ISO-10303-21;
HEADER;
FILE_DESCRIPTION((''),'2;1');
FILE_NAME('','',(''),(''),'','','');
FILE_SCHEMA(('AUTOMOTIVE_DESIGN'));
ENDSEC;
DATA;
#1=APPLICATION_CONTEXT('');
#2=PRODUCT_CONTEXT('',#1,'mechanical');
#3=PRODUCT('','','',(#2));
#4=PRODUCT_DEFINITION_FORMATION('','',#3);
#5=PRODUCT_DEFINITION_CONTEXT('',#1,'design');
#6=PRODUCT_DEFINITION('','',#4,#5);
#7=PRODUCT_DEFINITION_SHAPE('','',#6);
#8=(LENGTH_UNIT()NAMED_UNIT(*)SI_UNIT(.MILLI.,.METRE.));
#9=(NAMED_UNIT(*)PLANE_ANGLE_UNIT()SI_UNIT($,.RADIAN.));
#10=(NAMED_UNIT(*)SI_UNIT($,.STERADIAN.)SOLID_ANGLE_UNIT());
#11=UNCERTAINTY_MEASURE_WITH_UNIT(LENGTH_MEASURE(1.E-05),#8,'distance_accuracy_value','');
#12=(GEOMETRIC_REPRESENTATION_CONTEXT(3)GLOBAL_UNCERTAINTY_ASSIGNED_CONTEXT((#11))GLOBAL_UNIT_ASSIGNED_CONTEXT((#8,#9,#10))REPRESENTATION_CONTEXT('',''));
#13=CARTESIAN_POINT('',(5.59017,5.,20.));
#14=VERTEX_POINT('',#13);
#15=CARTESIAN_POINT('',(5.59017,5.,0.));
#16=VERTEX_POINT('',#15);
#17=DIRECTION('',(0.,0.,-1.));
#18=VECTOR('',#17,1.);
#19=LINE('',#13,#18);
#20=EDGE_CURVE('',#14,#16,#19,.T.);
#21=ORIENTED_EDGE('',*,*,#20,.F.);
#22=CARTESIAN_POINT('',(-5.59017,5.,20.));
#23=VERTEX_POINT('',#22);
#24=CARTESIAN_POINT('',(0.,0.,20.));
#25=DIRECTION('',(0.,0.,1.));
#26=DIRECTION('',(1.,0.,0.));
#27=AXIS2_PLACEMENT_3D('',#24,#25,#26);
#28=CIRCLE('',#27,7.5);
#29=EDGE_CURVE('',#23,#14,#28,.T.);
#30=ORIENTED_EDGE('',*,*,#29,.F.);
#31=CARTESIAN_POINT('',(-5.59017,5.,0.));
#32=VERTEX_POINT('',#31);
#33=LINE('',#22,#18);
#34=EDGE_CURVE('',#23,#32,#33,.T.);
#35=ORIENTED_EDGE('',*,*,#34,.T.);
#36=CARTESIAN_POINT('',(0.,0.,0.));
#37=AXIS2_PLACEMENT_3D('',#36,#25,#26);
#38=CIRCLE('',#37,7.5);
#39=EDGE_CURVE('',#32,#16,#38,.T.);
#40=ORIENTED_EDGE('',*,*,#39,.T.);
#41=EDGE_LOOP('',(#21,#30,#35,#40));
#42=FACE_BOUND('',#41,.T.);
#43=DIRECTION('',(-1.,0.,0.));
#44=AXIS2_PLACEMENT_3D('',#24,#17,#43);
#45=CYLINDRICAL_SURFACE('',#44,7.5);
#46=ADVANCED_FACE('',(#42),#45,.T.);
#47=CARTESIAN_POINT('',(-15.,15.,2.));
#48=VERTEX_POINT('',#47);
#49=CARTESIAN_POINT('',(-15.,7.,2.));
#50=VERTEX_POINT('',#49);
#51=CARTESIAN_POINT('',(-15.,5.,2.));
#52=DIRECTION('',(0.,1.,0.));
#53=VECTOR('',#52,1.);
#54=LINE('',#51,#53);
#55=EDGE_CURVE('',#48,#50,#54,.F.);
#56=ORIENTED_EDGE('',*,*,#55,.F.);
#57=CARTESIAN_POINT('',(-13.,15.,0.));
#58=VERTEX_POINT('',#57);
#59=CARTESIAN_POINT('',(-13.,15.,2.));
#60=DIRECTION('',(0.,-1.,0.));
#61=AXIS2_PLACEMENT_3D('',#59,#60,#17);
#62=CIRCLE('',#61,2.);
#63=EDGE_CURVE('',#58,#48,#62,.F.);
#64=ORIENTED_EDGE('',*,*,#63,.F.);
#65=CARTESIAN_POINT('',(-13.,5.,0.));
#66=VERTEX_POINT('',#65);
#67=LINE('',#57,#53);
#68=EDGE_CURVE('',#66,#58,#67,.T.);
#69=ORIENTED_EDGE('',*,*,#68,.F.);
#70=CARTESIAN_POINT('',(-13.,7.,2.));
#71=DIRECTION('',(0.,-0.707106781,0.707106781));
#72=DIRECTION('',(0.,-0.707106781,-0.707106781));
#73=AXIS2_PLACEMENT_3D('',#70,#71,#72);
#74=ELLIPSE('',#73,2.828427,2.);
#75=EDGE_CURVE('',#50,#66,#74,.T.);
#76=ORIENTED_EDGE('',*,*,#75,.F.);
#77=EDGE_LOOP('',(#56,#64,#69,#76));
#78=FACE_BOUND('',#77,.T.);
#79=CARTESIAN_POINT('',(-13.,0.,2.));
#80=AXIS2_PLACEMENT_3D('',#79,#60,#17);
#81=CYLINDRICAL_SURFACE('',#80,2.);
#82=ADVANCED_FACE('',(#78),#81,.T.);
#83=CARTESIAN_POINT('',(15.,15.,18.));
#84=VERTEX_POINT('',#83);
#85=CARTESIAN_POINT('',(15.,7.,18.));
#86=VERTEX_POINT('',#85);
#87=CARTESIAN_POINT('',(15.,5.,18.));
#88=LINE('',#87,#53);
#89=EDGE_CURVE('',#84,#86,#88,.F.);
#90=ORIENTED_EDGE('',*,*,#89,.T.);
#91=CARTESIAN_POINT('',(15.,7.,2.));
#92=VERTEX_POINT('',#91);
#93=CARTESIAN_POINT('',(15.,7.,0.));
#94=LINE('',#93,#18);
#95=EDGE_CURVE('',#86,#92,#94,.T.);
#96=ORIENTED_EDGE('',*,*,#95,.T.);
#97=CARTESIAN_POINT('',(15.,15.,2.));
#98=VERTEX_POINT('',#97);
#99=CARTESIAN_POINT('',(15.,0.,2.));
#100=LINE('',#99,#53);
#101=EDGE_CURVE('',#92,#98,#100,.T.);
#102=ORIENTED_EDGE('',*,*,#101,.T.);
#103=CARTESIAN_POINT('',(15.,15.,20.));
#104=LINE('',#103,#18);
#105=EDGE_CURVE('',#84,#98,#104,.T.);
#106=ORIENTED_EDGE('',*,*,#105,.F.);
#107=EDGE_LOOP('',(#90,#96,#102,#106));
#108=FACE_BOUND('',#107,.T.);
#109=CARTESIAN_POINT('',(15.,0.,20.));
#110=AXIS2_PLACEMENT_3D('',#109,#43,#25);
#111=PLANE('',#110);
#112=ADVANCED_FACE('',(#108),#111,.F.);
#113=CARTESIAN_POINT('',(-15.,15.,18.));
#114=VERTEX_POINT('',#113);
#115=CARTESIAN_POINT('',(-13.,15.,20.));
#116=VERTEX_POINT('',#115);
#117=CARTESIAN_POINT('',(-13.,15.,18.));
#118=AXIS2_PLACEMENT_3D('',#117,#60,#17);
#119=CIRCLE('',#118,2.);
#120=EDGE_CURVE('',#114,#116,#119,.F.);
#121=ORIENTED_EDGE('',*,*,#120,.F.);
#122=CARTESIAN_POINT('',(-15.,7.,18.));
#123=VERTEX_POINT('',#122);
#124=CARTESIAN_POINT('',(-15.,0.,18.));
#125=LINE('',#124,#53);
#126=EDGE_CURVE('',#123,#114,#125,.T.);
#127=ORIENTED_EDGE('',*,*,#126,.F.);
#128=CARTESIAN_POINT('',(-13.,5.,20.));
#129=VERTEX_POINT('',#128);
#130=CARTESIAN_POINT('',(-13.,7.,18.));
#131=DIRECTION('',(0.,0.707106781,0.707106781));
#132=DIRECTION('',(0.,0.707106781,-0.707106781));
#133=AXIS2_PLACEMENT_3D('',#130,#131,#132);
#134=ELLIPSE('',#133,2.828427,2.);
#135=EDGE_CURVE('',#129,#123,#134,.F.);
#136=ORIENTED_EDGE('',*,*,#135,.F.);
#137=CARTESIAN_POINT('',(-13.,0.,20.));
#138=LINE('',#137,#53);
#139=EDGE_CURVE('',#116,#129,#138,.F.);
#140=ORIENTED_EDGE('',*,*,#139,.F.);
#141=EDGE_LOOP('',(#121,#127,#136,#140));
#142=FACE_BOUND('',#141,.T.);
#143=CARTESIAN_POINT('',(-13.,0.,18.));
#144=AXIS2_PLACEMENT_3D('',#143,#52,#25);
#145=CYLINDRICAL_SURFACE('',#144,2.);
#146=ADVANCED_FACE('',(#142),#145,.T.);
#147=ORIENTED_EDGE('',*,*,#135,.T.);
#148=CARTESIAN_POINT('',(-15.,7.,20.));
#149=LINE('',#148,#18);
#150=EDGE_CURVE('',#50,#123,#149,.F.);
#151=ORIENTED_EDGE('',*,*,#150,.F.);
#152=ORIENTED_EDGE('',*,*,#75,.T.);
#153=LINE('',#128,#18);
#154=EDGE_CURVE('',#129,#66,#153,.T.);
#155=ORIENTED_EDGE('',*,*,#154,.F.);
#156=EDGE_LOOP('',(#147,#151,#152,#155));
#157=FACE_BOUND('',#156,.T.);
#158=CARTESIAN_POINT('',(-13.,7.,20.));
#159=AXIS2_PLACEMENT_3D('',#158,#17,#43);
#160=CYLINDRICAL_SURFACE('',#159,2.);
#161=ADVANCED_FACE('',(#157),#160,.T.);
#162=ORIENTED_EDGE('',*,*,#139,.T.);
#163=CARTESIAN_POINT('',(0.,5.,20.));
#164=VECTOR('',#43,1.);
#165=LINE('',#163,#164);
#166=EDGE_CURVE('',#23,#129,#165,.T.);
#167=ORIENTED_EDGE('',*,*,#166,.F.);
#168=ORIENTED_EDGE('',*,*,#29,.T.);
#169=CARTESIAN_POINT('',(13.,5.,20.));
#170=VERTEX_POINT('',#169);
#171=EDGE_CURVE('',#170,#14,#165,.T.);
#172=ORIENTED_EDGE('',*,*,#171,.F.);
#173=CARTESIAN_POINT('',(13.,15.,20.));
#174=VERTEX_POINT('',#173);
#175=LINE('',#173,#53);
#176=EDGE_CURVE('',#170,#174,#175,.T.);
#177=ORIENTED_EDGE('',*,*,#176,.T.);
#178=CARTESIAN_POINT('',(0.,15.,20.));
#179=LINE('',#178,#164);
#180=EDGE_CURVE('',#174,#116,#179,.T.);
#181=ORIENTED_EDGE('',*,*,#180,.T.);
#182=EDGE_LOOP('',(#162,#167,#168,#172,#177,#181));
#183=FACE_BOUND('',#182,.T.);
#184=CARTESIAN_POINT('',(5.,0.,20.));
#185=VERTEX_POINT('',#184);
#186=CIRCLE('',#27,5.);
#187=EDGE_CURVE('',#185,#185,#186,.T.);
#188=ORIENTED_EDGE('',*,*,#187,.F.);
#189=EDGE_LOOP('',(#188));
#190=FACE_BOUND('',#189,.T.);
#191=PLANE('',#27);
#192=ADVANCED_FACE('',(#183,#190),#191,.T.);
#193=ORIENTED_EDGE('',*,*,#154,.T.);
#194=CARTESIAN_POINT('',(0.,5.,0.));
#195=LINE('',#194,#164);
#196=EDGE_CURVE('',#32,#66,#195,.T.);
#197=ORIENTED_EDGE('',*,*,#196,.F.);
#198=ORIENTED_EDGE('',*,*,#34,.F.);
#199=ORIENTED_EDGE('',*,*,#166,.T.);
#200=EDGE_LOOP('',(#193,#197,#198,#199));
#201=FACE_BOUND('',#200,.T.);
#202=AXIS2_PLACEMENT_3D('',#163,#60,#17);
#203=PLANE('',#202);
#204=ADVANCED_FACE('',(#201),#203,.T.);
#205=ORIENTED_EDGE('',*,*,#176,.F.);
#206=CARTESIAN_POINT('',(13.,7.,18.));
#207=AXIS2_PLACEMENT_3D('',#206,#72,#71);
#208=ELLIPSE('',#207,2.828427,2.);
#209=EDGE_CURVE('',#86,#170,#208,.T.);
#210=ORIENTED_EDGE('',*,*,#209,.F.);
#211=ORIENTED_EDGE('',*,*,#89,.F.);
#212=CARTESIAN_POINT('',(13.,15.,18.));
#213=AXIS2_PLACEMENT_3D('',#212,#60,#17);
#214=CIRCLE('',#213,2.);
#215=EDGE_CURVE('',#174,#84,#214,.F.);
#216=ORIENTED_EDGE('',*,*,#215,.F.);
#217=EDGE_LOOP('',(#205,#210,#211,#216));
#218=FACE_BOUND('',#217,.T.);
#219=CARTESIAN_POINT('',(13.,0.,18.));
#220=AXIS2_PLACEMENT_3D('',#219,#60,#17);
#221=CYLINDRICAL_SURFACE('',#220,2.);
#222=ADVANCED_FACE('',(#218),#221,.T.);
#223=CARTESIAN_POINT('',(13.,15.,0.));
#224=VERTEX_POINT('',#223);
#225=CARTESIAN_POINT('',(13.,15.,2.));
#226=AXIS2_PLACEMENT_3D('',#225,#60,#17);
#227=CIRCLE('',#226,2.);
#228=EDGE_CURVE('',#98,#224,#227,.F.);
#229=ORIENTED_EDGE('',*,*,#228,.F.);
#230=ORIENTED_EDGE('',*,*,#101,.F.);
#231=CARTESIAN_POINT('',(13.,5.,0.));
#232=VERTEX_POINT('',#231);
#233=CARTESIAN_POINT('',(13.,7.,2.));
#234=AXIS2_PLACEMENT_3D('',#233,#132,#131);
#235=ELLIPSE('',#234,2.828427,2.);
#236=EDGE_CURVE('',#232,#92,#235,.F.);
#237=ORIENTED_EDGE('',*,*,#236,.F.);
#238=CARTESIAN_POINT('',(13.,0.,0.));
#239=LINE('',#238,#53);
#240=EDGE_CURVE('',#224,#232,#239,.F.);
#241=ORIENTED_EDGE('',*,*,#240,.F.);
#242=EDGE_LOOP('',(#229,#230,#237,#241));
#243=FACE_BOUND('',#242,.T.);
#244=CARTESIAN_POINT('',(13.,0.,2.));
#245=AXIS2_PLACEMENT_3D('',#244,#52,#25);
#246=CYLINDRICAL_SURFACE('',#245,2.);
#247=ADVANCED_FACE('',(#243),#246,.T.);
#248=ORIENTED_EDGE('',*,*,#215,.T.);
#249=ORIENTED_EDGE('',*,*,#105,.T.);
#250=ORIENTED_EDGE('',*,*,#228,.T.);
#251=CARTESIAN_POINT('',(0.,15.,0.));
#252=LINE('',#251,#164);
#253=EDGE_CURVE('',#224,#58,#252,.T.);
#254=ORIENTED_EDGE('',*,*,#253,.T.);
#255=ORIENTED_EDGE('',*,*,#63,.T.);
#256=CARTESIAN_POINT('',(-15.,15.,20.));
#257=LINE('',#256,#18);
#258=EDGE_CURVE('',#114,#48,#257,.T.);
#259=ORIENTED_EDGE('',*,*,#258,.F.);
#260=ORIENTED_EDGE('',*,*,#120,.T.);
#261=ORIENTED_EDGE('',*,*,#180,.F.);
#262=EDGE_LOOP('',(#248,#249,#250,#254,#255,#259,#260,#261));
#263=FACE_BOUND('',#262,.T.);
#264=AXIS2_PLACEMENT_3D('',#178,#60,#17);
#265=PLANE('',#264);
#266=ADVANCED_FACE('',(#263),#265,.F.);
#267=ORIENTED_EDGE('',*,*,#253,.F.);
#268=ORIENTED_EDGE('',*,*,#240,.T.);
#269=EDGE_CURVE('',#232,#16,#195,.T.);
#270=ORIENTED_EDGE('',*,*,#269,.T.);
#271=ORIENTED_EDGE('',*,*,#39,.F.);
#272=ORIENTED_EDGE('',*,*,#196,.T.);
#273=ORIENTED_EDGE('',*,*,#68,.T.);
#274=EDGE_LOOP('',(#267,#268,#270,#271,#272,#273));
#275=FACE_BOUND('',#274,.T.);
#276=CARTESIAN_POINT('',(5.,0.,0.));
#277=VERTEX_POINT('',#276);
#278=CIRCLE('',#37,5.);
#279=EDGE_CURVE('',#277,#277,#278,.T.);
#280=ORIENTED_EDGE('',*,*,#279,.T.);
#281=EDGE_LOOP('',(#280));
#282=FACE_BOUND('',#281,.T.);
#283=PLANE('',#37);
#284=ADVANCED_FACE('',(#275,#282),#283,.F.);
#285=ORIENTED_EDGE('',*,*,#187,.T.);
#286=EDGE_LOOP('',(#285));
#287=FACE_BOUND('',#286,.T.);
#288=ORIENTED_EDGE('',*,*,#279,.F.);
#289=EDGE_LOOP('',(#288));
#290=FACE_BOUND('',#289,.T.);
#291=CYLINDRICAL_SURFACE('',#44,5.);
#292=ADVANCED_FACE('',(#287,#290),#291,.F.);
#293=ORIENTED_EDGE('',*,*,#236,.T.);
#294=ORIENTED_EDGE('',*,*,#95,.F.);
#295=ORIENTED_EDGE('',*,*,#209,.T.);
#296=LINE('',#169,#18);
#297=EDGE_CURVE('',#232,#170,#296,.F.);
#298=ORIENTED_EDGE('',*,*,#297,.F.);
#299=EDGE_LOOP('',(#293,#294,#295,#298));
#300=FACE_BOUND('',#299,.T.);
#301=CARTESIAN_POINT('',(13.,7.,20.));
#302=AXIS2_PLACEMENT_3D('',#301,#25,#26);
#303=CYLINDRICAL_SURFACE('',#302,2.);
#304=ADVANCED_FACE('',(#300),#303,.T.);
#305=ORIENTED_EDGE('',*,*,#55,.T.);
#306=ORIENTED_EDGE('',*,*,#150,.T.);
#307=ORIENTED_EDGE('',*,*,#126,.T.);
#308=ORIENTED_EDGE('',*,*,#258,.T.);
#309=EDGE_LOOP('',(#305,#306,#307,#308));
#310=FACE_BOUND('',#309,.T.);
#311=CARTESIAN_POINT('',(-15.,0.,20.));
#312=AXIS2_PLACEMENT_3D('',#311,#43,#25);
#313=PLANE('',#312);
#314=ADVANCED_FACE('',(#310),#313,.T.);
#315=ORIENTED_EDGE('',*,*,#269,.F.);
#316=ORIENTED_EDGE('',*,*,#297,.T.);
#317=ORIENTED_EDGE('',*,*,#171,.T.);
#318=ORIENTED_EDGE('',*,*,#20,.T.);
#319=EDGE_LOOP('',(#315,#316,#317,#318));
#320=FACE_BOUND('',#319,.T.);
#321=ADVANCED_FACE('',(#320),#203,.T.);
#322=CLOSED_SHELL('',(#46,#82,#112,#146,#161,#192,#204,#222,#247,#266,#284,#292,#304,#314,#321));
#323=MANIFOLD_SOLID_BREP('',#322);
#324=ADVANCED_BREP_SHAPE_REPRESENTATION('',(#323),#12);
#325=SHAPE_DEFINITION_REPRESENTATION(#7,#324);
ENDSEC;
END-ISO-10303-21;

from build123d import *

# Parameters (mm, degrees)
SKETCH1_R           = 7.5
SKETCH1_R_2         = 5
SKETCH1_W           = 30
SKETCH1_H           = 10
BOSS_EXTRUDE1_DEPTH = 20
FILLET1_R           = 2


with BuildPart() as part:
    # Sketch1 → Boss-Extrude1 (new body)
    with BuildSketch(Plane.XY):
        Circle(SKETCH1_R)
        Circle(SKETCH1_R_2, mode=Mode.SUBTRACT)
        with Locations((0, 10)):
            Rectangle(SKETCH1_W, SKETCH1_H)
    extrude(amount=BOSS_EXTRUDE1_DEPTH)

    # Fillet1
    fillet1_edges = [part.edges().sort_by_distance(p)[0] for p in [
        (-15, 5, 10),
        (15, 5, 10),
        (15, 10, 20),
        (-15, 10, 20),
        (-15, 10, 0),
        (15, 10, 0),
    ]]
    fillet(fillet1_edges, radius=FILLET1_R)


solid = part.part
